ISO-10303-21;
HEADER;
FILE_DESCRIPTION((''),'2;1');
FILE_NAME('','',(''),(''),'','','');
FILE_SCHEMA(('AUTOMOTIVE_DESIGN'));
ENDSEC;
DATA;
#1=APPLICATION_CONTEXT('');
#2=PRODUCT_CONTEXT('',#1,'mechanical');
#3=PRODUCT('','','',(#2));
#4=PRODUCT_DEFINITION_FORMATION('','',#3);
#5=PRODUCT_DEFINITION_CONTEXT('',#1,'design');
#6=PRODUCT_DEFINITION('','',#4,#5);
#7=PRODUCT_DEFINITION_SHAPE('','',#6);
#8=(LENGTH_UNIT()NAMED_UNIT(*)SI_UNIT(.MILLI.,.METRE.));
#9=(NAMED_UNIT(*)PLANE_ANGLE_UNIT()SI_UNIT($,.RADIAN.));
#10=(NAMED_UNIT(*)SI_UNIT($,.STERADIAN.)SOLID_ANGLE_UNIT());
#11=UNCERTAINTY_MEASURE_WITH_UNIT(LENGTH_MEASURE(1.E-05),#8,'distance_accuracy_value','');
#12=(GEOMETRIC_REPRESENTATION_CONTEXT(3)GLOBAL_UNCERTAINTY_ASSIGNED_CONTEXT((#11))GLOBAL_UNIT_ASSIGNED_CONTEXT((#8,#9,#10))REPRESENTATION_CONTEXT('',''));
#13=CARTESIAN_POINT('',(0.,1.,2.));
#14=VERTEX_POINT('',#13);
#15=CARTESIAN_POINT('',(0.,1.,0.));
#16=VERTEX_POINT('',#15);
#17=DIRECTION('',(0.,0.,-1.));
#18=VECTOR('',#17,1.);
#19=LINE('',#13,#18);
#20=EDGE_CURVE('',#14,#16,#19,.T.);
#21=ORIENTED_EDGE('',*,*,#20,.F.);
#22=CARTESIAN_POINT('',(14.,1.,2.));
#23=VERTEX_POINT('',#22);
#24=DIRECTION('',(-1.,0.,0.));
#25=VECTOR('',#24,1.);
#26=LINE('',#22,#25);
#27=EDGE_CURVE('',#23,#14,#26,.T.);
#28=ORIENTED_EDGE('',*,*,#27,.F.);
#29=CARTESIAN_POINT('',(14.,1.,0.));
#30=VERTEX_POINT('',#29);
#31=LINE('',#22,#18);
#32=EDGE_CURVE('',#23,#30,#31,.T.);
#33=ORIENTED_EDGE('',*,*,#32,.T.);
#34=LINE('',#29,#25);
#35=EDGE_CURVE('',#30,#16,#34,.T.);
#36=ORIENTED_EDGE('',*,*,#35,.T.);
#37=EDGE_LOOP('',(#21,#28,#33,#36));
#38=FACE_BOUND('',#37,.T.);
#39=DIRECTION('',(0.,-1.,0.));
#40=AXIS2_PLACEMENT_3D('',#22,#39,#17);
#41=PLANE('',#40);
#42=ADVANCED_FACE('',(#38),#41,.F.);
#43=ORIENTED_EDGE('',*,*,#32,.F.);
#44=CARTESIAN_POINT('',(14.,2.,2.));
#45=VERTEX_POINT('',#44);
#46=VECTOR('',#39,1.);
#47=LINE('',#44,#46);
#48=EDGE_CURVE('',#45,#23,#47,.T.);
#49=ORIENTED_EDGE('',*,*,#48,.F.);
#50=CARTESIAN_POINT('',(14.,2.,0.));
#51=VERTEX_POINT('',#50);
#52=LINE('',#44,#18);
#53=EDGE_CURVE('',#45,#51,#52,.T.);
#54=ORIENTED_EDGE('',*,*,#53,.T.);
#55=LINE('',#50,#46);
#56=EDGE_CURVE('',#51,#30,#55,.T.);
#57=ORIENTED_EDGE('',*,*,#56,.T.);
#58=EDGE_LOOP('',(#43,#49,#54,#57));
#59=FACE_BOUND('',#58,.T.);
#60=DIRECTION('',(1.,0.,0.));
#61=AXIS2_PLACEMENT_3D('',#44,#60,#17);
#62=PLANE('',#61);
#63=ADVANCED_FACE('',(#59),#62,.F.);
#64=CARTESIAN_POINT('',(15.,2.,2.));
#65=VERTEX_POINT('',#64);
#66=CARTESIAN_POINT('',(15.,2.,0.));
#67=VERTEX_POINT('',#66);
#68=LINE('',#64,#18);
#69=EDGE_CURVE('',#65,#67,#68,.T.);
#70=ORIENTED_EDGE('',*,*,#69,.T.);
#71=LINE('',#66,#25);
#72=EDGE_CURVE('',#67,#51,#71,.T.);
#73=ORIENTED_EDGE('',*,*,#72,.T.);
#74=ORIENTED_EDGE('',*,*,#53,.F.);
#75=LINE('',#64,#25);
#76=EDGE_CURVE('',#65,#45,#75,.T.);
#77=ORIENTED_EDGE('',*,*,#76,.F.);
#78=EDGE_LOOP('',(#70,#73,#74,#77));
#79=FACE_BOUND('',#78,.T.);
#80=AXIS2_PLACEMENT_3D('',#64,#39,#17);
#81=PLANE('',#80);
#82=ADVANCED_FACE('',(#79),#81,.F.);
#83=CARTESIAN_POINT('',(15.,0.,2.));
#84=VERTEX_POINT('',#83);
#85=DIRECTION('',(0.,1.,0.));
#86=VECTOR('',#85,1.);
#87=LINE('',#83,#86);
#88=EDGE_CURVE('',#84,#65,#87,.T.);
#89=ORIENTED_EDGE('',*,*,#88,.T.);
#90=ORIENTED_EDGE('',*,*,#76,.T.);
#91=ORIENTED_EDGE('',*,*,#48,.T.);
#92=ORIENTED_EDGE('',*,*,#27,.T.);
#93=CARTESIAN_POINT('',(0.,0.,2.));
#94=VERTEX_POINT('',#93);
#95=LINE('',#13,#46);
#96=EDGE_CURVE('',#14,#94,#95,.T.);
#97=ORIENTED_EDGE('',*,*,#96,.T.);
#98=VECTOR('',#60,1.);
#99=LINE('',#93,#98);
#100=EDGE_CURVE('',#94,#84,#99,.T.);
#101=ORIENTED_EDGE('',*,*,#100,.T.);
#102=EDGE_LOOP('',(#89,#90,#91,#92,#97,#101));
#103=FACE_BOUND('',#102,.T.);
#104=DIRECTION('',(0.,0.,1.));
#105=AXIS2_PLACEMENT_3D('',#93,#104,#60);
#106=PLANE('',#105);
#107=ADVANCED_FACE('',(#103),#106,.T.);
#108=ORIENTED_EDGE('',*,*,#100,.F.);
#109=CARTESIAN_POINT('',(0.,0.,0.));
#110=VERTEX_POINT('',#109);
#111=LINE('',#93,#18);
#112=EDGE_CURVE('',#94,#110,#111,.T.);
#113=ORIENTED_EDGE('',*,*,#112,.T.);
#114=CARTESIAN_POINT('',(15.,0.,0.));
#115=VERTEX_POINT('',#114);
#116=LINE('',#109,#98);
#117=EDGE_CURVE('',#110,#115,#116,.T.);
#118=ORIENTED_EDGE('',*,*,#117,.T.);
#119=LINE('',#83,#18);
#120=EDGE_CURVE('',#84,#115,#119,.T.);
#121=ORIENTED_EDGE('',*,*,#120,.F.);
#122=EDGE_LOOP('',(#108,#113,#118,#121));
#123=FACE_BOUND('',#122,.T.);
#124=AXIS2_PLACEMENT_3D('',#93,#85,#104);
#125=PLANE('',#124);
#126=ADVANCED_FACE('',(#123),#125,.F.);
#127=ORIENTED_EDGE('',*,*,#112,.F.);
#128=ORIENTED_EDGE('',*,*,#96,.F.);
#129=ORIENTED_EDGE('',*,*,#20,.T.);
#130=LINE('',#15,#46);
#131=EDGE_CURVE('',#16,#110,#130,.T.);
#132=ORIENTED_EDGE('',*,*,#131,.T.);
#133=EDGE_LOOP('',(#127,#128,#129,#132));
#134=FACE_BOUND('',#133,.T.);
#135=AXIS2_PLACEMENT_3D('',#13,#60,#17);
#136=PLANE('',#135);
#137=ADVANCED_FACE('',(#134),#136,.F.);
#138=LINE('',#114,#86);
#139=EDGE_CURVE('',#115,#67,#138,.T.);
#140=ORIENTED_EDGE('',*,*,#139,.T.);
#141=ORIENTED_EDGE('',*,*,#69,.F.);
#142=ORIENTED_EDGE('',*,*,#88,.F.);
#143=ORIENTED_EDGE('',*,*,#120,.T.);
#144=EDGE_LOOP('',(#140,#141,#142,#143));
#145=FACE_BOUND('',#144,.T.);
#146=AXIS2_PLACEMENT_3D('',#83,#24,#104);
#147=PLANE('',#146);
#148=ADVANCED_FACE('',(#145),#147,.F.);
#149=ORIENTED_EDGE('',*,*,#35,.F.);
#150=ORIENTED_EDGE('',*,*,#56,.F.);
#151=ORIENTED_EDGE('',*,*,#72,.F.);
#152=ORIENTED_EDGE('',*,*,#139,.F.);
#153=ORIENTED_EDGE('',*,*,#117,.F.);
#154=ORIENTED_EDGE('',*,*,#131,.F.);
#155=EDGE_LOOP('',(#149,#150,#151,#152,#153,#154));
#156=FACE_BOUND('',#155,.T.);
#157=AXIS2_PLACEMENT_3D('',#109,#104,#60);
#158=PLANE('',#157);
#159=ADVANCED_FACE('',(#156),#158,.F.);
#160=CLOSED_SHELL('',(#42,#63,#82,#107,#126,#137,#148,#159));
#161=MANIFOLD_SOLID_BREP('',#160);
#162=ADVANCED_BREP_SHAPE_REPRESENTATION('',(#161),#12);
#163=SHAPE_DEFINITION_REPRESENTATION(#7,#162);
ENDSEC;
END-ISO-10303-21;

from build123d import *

# Parameters (mm, degrees)
EXTRUDE_1_DEPTH = 2


with BuildPart() as part:
    # 草图1 → 凸台-拉伸1 (new body)
    with BuildSketch(Plane.XY):
        Polygon((0, 0), (15, 0), (15, 2), (14, 2), (14, 1), (0, 1), align=None)
    extrude(amount=EXTRUDE_1_DEPTH)


solid = part.part
